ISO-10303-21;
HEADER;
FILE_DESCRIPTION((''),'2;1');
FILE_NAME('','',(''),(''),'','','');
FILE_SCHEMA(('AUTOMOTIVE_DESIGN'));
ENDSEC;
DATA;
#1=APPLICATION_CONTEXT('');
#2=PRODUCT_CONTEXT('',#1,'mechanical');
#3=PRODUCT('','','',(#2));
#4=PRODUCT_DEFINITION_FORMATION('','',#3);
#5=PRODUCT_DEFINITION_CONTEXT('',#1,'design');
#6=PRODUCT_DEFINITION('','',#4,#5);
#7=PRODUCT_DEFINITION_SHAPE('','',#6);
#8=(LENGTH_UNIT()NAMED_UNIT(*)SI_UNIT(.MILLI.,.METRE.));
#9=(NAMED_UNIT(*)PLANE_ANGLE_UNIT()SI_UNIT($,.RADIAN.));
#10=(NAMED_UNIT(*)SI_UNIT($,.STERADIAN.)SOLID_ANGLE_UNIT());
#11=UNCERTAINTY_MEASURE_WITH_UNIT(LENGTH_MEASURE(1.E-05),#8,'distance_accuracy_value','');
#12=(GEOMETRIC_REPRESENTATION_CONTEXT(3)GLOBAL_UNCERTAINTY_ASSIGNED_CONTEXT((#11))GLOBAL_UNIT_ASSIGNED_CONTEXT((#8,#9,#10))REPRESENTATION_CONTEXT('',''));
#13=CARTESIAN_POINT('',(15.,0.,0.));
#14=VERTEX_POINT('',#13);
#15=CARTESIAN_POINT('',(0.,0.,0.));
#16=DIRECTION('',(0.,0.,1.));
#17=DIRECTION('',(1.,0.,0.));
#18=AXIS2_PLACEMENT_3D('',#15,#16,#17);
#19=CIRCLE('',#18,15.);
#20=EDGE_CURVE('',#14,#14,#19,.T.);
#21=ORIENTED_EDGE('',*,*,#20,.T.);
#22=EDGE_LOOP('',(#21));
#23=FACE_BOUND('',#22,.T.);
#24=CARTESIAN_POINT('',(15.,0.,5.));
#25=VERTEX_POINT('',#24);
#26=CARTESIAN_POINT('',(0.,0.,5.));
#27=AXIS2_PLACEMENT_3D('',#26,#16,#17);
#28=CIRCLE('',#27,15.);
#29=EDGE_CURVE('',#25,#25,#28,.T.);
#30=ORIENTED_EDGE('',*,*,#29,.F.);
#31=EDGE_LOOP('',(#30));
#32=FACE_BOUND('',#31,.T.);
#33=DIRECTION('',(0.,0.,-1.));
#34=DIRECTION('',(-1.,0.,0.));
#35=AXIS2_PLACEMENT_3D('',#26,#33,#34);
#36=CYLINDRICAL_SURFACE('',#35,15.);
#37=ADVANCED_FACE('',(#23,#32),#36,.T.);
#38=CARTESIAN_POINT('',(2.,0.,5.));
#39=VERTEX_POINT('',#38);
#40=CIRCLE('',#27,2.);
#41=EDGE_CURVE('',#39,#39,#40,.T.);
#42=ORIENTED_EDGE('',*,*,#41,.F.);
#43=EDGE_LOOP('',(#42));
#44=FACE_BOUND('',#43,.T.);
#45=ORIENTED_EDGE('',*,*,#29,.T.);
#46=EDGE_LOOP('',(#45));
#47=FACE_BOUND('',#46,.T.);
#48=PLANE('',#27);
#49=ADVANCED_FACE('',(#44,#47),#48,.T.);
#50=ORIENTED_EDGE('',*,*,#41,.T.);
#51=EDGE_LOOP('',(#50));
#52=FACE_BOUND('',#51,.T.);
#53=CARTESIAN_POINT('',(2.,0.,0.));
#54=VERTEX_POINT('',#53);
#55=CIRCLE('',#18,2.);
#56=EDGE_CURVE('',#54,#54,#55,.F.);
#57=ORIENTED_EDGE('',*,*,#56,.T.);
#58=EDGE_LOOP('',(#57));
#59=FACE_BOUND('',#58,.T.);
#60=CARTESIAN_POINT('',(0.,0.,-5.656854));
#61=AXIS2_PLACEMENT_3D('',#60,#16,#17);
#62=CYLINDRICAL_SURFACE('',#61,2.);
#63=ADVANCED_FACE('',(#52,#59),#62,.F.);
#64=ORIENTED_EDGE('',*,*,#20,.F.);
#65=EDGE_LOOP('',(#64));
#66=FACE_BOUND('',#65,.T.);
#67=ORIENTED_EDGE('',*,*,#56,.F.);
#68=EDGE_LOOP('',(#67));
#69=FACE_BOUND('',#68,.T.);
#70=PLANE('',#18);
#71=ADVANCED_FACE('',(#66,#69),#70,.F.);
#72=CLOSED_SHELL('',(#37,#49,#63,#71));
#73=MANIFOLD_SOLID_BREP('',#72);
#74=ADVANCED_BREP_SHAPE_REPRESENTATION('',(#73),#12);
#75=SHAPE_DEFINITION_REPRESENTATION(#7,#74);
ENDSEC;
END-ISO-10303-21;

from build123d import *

# Parameters (mm, degrees)
CROQUIS1_R              = 15
SALIENTE_EXTRUIR1_DEPTH = 5
CROQUIS2_R              = 2
CORTAR_EXTRUIR1_DEPTH   = 5


with BuildPart() as part:
    # Croquis1 → Saliente-Extruir1 (new body)
    with BuildSketch(Plane.XY):
        Circle(CROQUIS1_R)
    extrude(amount=SALIENTE_EXTRUIR1_DEPTH)

    # Croquis2 → Cortar-Extruir1 (cut)
    with BuildSketch(Plane.XY.offset(5)):
        Circle(CROQUIS2_R)
    extrude(amount=-CORTAR_EXTRUIR1_DEPTH, mode=Mode.SUBTRACT)


solid = part.part
